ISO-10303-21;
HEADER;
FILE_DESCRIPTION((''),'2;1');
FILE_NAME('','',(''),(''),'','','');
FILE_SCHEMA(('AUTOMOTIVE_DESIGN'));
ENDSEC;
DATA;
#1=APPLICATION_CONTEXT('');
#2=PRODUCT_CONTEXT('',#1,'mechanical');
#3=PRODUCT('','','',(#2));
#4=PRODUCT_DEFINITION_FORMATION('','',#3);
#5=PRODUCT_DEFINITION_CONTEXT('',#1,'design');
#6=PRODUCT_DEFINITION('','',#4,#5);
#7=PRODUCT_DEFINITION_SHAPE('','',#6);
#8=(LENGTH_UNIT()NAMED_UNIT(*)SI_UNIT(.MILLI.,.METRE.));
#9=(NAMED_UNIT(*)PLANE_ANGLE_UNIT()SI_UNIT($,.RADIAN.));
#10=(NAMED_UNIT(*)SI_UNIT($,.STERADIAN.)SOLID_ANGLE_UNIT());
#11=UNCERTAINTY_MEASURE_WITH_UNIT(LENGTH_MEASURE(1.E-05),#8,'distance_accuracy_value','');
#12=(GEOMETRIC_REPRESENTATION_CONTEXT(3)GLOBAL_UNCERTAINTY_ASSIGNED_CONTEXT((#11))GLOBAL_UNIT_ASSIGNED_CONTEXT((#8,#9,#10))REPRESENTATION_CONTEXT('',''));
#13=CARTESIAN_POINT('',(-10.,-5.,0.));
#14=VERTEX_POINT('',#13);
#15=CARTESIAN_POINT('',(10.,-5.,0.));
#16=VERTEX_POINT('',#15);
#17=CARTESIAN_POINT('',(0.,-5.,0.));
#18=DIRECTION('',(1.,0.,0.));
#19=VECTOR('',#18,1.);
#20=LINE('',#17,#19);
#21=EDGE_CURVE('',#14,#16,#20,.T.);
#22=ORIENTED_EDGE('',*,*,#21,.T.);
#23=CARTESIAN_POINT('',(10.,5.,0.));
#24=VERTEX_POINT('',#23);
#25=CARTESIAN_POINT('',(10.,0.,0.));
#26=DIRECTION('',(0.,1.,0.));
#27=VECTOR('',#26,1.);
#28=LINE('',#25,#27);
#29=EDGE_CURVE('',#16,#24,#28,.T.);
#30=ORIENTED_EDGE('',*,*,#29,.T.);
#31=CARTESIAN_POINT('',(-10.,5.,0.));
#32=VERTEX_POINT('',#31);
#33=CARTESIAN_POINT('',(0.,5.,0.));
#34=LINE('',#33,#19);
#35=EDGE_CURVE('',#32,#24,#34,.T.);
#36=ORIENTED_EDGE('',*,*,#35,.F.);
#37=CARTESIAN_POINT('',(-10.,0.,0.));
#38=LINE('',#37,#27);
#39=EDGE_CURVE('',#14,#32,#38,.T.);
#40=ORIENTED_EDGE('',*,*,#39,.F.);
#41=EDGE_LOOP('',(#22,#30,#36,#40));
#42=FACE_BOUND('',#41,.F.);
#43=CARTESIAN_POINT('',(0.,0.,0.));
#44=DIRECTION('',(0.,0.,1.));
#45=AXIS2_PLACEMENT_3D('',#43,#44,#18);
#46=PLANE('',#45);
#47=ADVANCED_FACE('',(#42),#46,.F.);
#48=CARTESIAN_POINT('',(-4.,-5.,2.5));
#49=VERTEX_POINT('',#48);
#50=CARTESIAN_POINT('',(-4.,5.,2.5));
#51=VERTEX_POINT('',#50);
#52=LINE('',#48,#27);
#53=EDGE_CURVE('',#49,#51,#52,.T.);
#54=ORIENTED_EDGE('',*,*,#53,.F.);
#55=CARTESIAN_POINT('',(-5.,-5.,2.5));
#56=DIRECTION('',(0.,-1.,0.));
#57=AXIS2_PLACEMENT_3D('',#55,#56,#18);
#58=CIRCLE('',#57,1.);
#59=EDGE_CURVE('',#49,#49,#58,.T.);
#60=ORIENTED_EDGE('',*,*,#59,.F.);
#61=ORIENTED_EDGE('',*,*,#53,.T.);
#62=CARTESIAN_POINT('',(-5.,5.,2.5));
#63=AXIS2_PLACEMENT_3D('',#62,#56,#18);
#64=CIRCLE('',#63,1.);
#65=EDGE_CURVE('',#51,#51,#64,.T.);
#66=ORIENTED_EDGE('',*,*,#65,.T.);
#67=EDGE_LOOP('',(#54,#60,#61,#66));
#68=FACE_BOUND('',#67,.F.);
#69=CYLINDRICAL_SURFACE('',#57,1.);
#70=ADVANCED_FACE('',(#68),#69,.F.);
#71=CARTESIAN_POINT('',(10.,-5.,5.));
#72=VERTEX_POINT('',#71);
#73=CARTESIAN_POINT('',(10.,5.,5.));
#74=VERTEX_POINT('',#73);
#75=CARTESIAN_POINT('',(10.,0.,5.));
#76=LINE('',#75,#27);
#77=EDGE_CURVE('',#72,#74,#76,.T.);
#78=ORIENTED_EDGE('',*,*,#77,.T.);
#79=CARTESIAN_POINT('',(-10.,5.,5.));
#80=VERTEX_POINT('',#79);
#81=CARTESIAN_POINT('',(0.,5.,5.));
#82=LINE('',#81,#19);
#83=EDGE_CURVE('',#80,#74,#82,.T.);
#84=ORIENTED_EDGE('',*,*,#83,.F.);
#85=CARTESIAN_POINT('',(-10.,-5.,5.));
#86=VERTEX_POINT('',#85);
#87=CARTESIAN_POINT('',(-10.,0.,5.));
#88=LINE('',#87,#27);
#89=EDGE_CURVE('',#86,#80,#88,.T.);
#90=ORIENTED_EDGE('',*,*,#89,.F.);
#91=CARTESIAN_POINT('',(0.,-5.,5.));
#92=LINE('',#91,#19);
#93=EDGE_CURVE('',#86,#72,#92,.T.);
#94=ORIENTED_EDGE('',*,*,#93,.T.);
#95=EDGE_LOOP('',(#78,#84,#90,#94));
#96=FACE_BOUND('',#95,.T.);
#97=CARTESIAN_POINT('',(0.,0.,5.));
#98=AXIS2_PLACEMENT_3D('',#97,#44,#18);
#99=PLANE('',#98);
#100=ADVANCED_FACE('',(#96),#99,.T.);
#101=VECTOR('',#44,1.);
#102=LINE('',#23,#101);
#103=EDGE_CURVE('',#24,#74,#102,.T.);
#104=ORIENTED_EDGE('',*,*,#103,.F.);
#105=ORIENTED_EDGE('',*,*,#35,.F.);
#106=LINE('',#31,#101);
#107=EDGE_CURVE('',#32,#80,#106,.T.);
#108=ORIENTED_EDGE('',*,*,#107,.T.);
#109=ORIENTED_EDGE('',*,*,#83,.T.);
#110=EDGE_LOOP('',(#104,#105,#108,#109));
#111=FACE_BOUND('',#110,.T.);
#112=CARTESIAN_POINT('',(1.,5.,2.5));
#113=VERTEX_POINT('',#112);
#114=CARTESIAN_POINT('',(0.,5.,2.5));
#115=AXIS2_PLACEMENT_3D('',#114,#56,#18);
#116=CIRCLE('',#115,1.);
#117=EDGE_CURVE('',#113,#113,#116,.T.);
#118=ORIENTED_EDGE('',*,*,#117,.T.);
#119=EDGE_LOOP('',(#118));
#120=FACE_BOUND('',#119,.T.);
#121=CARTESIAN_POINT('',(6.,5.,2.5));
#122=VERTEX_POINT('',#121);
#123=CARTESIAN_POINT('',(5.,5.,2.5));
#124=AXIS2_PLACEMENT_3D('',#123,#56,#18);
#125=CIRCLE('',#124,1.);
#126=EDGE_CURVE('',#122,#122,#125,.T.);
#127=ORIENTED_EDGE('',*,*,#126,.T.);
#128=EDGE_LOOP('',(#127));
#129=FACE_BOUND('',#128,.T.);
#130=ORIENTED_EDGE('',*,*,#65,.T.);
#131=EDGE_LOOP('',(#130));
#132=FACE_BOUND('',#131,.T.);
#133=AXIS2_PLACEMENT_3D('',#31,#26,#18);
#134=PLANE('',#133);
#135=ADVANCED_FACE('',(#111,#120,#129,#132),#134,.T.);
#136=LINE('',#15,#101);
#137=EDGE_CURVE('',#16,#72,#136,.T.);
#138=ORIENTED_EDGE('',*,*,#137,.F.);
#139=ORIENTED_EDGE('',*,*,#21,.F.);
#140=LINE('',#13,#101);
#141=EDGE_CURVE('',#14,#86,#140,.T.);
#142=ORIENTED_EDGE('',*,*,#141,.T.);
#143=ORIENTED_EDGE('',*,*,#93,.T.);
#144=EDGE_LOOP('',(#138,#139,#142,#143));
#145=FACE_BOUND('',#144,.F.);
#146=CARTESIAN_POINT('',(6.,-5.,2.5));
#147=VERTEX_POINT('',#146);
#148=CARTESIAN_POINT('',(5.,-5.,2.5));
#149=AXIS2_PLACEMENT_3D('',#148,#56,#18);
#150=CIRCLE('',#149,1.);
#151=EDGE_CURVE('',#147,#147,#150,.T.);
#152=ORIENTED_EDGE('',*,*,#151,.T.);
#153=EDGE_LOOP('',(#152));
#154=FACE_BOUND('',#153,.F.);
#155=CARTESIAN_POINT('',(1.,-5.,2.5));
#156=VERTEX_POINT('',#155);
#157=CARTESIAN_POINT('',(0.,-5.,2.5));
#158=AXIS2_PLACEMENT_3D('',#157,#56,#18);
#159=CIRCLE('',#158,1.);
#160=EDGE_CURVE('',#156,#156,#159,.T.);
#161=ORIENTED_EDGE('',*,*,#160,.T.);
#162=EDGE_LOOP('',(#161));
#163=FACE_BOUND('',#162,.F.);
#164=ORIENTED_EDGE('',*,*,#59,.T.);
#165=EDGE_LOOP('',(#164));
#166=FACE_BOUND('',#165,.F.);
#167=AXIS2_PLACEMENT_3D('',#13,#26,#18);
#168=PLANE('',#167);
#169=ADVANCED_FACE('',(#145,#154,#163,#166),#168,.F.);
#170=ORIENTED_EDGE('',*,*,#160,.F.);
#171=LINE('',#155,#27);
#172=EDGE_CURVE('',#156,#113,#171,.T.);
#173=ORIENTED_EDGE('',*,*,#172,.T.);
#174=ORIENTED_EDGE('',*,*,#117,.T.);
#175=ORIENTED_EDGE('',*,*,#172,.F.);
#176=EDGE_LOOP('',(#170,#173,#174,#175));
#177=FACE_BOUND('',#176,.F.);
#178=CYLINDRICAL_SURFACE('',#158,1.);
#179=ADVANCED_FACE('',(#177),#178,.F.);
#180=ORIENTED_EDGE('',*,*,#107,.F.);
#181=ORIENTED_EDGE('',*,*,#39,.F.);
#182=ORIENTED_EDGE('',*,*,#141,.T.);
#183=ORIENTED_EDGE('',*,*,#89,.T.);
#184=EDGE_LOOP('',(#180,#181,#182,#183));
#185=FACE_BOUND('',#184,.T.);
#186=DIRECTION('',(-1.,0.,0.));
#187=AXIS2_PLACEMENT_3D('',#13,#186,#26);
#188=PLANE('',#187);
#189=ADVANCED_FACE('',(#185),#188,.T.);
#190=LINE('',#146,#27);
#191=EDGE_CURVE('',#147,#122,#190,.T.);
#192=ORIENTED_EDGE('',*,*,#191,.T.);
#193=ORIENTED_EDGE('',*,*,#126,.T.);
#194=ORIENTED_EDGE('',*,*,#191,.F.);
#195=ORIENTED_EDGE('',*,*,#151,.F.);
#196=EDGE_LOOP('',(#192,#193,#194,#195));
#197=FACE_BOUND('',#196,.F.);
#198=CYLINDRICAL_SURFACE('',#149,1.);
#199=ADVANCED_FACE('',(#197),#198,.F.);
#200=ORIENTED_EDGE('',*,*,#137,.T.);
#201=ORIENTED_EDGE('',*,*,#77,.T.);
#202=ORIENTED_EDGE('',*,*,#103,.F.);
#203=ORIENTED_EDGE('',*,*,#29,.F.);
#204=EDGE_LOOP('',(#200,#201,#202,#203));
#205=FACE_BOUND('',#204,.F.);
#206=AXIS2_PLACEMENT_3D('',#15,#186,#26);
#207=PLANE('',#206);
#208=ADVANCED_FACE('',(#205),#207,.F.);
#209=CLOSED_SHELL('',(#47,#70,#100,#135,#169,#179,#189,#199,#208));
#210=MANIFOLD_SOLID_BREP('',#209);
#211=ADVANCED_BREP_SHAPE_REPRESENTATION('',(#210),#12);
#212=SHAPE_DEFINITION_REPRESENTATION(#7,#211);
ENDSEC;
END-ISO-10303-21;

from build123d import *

# Parameters (mm, degrees)
F0_W     = 20
F0_H     = 10
F1_DEPTH = 5
F2_R     = 1
F3_DEPTH = 10


with BuildPart() as f1:
    # F0 (on Top) → F1 (new body)
    with BuildSketch(Plane.XY):
        Rectangle(F0_W, F0_H)
    extrude(amount=F1_DEPTH)

    # F2 (on face) → F3 (cut, through all)
    with BuildSketch(Plane.XZ.offset(5)):
        with Locations((-5, 2.5)):
            Circle(F2_R)
        with Locations((0, 2.5)):
            Circle(F2_R)
        with Locations((5, 2.5)):
            Circle(F2_R)
    extrude(amount=-F3_DEPTH, mode=Mode.SUBTRACT)


solid = f1.part
